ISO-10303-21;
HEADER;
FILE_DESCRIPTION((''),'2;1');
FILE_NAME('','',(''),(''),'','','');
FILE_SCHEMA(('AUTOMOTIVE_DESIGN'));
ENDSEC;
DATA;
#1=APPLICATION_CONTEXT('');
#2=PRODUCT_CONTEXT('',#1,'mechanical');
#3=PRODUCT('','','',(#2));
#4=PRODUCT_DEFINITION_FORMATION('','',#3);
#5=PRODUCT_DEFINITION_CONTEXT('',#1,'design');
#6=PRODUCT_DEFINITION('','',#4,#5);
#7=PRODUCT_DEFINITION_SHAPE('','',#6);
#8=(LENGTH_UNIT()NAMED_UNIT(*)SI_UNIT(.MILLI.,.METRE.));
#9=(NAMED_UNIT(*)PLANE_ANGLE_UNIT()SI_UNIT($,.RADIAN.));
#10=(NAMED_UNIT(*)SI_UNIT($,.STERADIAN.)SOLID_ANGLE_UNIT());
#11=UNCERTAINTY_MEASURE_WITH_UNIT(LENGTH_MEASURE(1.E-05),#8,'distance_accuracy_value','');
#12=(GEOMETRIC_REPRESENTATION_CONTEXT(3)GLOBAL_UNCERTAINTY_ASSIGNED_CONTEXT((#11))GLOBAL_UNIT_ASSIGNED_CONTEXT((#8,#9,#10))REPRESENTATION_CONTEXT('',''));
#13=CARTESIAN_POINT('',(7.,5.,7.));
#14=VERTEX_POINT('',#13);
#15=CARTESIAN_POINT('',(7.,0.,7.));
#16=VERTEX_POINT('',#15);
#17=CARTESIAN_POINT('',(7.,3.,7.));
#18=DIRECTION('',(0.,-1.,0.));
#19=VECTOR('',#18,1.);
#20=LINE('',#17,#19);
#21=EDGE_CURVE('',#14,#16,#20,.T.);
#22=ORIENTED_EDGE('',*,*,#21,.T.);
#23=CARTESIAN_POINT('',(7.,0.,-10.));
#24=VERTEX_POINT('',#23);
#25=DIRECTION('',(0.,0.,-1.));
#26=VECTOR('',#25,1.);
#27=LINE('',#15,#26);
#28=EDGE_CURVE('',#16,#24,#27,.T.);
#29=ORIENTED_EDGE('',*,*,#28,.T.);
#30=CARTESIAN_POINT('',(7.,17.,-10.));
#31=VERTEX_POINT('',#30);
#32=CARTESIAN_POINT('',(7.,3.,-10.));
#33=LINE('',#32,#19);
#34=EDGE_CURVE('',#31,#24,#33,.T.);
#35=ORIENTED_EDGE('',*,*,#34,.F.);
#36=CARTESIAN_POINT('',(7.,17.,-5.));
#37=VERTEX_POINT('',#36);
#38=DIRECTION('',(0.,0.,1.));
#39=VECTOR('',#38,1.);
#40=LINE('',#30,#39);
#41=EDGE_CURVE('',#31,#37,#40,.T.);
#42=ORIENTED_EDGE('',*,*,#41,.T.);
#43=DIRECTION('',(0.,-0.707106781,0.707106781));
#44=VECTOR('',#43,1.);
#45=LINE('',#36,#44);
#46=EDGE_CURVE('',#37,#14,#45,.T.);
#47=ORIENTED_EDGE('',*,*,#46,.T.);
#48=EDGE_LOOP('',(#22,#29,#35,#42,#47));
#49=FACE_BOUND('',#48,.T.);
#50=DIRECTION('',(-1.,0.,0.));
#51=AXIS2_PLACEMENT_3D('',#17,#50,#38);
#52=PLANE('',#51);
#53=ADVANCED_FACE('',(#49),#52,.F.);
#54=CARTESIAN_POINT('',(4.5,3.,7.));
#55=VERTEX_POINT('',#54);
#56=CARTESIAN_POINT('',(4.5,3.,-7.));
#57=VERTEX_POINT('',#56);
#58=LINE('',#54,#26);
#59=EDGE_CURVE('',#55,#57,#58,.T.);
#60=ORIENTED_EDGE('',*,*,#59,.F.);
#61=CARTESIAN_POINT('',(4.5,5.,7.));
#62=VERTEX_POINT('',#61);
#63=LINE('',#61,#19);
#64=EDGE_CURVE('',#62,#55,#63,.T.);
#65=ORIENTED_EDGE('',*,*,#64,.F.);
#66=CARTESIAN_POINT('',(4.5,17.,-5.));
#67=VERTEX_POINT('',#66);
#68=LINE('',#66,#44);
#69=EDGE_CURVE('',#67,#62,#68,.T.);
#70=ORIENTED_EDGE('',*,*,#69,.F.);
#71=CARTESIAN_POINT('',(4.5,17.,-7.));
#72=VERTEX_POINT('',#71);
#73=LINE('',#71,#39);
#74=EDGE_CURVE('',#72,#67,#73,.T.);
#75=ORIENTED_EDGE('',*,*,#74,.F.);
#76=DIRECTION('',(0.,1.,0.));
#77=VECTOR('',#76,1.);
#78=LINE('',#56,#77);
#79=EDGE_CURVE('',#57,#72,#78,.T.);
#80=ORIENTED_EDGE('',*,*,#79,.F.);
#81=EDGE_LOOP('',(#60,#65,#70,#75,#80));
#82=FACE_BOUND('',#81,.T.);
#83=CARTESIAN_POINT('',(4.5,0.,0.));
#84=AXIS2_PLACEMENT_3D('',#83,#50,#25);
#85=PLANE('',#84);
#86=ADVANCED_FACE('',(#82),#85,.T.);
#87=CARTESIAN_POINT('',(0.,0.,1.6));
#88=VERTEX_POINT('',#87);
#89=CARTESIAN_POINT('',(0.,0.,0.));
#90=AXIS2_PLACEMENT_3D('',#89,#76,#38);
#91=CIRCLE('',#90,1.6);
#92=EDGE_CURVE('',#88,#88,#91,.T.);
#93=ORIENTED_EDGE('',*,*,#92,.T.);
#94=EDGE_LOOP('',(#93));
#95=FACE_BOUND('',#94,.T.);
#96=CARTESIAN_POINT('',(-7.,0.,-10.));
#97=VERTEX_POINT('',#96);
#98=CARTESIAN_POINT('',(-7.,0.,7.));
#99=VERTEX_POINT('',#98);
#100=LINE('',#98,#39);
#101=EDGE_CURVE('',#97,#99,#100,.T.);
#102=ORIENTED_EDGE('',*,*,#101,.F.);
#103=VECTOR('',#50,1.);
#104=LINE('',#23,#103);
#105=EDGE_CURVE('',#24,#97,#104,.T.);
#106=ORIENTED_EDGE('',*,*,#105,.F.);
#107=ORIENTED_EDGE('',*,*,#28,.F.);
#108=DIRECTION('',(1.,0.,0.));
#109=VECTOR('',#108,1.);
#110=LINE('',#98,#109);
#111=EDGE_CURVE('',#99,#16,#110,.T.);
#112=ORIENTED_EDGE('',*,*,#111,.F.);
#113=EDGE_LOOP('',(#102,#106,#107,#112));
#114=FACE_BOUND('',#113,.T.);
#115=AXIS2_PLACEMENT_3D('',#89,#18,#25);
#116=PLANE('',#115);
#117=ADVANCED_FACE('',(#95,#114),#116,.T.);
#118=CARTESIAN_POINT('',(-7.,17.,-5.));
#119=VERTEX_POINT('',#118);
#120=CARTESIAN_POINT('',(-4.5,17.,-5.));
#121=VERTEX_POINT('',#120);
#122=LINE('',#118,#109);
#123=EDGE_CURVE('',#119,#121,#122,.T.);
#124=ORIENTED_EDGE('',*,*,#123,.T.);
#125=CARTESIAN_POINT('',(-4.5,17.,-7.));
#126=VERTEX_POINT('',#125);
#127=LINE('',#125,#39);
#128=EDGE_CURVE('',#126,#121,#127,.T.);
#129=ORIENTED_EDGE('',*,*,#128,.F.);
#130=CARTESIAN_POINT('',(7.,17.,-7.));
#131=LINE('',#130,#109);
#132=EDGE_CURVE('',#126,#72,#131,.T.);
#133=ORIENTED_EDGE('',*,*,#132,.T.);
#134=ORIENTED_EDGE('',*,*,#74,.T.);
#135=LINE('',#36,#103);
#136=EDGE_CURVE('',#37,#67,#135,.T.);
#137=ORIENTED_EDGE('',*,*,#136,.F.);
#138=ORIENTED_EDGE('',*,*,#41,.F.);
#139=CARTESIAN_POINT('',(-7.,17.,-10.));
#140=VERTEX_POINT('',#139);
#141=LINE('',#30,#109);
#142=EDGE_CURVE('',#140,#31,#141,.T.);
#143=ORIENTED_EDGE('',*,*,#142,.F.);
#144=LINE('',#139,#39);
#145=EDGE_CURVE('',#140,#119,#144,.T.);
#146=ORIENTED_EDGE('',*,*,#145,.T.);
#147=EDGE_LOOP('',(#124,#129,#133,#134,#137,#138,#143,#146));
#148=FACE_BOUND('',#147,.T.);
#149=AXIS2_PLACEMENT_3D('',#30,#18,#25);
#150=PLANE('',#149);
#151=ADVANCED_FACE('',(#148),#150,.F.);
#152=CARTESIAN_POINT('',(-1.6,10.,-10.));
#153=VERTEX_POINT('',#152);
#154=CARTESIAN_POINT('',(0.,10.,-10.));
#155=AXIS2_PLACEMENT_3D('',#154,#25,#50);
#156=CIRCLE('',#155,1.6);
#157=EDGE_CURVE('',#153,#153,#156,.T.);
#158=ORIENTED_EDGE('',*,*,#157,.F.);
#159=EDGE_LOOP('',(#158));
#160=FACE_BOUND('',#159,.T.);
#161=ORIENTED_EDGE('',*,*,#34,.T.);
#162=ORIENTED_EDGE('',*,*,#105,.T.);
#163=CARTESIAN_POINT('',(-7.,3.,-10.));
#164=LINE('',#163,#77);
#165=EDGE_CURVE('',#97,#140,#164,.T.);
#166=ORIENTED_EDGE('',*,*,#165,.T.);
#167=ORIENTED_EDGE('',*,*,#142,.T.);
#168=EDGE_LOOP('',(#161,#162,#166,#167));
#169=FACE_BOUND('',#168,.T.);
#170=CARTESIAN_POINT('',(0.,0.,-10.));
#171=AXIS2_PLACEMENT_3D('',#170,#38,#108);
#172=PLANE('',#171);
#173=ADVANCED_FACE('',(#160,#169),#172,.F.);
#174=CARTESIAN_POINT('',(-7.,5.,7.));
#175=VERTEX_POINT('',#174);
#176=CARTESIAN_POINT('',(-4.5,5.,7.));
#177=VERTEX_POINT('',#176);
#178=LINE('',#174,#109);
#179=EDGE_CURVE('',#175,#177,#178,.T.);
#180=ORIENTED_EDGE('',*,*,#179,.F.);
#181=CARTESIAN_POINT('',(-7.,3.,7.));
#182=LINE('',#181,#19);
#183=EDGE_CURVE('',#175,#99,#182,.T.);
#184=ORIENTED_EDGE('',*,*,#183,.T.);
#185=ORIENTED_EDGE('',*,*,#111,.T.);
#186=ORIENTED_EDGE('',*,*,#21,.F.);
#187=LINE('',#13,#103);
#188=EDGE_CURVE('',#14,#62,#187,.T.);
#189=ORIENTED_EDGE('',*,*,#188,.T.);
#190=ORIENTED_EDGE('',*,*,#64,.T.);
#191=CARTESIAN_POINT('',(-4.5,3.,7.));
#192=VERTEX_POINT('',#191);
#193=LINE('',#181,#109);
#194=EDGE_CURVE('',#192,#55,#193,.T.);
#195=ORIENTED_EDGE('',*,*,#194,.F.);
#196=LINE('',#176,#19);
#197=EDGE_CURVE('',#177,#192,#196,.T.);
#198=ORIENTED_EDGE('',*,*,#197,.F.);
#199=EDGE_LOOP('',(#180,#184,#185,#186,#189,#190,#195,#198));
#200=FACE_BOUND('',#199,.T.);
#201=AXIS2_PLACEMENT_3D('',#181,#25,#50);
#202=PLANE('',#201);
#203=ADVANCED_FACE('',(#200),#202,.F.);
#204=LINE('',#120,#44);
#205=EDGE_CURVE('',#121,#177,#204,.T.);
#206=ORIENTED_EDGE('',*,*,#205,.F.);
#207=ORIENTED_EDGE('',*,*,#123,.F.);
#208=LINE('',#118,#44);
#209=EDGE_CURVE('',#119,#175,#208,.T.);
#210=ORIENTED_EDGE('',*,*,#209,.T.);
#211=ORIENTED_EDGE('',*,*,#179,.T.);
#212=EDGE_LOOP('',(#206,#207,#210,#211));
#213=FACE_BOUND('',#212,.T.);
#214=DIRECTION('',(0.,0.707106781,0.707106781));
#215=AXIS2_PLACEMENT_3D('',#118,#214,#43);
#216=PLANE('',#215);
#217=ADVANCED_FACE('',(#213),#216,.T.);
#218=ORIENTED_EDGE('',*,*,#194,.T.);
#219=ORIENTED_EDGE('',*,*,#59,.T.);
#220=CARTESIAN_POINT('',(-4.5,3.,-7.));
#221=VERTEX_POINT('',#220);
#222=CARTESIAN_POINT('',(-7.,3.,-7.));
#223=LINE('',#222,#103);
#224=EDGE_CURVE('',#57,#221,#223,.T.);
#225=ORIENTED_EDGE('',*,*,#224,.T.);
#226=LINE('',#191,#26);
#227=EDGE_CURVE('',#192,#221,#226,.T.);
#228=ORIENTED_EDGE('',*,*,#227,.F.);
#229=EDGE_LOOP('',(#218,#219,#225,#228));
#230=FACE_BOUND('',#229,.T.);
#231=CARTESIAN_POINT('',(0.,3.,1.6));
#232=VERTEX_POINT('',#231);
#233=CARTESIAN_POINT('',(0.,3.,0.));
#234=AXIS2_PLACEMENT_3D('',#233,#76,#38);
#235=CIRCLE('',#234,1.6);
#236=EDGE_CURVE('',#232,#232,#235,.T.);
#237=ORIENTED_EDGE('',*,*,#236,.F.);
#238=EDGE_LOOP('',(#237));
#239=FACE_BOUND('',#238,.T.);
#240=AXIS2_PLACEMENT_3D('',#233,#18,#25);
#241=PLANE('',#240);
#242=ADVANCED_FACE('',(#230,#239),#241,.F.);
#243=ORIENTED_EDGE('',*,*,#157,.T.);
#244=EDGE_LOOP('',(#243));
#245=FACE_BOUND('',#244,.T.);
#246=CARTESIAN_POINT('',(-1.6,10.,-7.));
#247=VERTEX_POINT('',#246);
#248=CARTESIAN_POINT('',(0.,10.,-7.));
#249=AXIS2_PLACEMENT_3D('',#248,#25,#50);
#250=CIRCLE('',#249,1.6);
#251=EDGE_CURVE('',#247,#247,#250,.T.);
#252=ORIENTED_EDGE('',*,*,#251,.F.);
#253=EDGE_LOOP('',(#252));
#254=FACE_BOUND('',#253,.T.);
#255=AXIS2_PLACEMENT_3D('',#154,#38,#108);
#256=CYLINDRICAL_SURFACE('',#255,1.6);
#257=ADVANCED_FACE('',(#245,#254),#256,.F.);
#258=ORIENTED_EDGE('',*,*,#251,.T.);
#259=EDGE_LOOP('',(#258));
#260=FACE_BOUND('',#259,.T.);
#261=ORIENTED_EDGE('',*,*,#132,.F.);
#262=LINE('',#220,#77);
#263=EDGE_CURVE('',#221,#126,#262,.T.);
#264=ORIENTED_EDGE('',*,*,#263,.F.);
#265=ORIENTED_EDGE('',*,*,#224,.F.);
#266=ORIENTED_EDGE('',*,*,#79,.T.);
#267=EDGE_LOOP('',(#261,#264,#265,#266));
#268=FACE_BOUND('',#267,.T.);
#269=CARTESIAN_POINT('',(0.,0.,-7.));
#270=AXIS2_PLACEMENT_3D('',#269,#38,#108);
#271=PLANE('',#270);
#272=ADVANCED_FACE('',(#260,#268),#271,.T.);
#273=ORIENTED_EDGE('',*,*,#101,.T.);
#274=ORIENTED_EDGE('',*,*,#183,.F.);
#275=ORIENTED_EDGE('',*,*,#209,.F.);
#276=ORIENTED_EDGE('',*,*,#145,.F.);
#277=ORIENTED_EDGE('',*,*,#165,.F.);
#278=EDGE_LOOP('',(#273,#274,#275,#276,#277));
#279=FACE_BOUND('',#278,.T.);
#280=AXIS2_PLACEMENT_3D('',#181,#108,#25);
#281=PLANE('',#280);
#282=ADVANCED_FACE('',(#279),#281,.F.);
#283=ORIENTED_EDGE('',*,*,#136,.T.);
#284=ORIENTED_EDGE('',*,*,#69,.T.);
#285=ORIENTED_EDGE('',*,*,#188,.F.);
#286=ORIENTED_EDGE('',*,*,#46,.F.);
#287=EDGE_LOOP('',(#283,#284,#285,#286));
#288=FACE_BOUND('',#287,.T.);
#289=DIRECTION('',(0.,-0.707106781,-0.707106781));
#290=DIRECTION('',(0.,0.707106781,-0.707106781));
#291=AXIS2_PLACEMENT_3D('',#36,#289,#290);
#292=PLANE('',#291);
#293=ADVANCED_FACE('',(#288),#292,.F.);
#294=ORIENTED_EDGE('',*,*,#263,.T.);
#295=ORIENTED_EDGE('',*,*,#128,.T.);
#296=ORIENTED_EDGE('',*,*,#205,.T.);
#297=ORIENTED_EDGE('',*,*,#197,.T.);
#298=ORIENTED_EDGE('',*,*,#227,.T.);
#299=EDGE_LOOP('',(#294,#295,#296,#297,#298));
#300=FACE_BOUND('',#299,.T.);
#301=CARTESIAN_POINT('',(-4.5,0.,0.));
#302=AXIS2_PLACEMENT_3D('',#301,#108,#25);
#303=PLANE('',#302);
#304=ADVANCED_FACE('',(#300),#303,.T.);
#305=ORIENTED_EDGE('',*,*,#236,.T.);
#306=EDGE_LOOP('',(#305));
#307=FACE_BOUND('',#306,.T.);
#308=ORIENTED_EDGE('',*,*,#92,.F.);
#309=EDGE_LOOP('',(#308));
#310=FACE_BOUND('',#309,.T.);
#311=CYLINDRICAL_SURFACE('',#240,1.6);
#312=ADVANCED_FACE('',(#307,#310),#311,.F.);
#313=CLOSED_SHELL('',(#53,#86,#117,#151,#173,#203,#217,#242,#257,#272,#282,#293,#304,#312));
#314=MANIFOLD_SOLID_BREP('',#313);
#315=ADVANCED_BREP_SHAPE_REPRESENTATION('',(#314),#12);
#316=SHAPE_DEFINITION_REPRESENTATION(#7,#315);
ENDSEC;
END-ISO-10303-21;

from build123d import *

# Parameters (mm, degrees)
SKETCH1_W           = 14
SKETCH1_H           = 14
SKETCH1_R           = 1.6
BOSS_EXTRUDE1_DEPTH = 3
SKETCH2_R           = 1.6
BOSS_EXTRUDE2_DEPTH = 3
BOSS_EXTRUDE3_START = -4.5
BOSS_EXTRUDE3_DEPTH = 2.5


with BuildPart() as part:
    # Sketch1 → Boss-Extrude1 (new body)
    with BuildSketch(Plane(origin=(0, 0, 0), x_dir=(1, 0, 0), z_dir=(0, 1, 0))):
        Rectangle(SKETCH1_W, SKETCH1_H)
        with Locations(Location((0, 0, 0), (0, 0, 270))):
            Circle(SKETCH1_R, mode=Mode.SUBTRACT)
    extrude(amount=BOSS_EXTRUDE1_DEPTH)

    # Sketch2 → Boss-Extrude2 (add)
    with BuildSketch(Plane(origin=(0, 0, -7), x_dir=(-1, 0, 0), z_dir=(0, 0, -1))):
        Polygon((-7, 3), (-7, 0), (7, 0), (7, 3), (7, 17), (-7, 17), align=None)
        with Locations((0, 10)):
            Circle(SKETCH2_R, mode=Mode.SUBTRACT)
    extrude(amount=BOSS_EXTRUDE2_DEPTH)

    # Sketch5 → Boss-Extrude3 (add)
    with BuildSketch(Plane(origin=(0, 0, 0), x_dir=(0, 0, -1), z_dir=(1, 0, 0)).offset(BOSS_EXTRUDE3_START)):
        Polygon((7, 17), (5, 17), (-7, 5), (-7, 3), (7, 3), align=None)
    boss_extrude3 = extrude(amount=-BOSS_EXTRUDE3_DEPTH)

    # Mirror2: Boss-Extrude3 across plane
    add(boss_extrude3.mirror(Plane(origin=(0, 0, 0), x_dir=(0, 0, 1), z_dir=(1, 0, 0))))


solid = part.part
